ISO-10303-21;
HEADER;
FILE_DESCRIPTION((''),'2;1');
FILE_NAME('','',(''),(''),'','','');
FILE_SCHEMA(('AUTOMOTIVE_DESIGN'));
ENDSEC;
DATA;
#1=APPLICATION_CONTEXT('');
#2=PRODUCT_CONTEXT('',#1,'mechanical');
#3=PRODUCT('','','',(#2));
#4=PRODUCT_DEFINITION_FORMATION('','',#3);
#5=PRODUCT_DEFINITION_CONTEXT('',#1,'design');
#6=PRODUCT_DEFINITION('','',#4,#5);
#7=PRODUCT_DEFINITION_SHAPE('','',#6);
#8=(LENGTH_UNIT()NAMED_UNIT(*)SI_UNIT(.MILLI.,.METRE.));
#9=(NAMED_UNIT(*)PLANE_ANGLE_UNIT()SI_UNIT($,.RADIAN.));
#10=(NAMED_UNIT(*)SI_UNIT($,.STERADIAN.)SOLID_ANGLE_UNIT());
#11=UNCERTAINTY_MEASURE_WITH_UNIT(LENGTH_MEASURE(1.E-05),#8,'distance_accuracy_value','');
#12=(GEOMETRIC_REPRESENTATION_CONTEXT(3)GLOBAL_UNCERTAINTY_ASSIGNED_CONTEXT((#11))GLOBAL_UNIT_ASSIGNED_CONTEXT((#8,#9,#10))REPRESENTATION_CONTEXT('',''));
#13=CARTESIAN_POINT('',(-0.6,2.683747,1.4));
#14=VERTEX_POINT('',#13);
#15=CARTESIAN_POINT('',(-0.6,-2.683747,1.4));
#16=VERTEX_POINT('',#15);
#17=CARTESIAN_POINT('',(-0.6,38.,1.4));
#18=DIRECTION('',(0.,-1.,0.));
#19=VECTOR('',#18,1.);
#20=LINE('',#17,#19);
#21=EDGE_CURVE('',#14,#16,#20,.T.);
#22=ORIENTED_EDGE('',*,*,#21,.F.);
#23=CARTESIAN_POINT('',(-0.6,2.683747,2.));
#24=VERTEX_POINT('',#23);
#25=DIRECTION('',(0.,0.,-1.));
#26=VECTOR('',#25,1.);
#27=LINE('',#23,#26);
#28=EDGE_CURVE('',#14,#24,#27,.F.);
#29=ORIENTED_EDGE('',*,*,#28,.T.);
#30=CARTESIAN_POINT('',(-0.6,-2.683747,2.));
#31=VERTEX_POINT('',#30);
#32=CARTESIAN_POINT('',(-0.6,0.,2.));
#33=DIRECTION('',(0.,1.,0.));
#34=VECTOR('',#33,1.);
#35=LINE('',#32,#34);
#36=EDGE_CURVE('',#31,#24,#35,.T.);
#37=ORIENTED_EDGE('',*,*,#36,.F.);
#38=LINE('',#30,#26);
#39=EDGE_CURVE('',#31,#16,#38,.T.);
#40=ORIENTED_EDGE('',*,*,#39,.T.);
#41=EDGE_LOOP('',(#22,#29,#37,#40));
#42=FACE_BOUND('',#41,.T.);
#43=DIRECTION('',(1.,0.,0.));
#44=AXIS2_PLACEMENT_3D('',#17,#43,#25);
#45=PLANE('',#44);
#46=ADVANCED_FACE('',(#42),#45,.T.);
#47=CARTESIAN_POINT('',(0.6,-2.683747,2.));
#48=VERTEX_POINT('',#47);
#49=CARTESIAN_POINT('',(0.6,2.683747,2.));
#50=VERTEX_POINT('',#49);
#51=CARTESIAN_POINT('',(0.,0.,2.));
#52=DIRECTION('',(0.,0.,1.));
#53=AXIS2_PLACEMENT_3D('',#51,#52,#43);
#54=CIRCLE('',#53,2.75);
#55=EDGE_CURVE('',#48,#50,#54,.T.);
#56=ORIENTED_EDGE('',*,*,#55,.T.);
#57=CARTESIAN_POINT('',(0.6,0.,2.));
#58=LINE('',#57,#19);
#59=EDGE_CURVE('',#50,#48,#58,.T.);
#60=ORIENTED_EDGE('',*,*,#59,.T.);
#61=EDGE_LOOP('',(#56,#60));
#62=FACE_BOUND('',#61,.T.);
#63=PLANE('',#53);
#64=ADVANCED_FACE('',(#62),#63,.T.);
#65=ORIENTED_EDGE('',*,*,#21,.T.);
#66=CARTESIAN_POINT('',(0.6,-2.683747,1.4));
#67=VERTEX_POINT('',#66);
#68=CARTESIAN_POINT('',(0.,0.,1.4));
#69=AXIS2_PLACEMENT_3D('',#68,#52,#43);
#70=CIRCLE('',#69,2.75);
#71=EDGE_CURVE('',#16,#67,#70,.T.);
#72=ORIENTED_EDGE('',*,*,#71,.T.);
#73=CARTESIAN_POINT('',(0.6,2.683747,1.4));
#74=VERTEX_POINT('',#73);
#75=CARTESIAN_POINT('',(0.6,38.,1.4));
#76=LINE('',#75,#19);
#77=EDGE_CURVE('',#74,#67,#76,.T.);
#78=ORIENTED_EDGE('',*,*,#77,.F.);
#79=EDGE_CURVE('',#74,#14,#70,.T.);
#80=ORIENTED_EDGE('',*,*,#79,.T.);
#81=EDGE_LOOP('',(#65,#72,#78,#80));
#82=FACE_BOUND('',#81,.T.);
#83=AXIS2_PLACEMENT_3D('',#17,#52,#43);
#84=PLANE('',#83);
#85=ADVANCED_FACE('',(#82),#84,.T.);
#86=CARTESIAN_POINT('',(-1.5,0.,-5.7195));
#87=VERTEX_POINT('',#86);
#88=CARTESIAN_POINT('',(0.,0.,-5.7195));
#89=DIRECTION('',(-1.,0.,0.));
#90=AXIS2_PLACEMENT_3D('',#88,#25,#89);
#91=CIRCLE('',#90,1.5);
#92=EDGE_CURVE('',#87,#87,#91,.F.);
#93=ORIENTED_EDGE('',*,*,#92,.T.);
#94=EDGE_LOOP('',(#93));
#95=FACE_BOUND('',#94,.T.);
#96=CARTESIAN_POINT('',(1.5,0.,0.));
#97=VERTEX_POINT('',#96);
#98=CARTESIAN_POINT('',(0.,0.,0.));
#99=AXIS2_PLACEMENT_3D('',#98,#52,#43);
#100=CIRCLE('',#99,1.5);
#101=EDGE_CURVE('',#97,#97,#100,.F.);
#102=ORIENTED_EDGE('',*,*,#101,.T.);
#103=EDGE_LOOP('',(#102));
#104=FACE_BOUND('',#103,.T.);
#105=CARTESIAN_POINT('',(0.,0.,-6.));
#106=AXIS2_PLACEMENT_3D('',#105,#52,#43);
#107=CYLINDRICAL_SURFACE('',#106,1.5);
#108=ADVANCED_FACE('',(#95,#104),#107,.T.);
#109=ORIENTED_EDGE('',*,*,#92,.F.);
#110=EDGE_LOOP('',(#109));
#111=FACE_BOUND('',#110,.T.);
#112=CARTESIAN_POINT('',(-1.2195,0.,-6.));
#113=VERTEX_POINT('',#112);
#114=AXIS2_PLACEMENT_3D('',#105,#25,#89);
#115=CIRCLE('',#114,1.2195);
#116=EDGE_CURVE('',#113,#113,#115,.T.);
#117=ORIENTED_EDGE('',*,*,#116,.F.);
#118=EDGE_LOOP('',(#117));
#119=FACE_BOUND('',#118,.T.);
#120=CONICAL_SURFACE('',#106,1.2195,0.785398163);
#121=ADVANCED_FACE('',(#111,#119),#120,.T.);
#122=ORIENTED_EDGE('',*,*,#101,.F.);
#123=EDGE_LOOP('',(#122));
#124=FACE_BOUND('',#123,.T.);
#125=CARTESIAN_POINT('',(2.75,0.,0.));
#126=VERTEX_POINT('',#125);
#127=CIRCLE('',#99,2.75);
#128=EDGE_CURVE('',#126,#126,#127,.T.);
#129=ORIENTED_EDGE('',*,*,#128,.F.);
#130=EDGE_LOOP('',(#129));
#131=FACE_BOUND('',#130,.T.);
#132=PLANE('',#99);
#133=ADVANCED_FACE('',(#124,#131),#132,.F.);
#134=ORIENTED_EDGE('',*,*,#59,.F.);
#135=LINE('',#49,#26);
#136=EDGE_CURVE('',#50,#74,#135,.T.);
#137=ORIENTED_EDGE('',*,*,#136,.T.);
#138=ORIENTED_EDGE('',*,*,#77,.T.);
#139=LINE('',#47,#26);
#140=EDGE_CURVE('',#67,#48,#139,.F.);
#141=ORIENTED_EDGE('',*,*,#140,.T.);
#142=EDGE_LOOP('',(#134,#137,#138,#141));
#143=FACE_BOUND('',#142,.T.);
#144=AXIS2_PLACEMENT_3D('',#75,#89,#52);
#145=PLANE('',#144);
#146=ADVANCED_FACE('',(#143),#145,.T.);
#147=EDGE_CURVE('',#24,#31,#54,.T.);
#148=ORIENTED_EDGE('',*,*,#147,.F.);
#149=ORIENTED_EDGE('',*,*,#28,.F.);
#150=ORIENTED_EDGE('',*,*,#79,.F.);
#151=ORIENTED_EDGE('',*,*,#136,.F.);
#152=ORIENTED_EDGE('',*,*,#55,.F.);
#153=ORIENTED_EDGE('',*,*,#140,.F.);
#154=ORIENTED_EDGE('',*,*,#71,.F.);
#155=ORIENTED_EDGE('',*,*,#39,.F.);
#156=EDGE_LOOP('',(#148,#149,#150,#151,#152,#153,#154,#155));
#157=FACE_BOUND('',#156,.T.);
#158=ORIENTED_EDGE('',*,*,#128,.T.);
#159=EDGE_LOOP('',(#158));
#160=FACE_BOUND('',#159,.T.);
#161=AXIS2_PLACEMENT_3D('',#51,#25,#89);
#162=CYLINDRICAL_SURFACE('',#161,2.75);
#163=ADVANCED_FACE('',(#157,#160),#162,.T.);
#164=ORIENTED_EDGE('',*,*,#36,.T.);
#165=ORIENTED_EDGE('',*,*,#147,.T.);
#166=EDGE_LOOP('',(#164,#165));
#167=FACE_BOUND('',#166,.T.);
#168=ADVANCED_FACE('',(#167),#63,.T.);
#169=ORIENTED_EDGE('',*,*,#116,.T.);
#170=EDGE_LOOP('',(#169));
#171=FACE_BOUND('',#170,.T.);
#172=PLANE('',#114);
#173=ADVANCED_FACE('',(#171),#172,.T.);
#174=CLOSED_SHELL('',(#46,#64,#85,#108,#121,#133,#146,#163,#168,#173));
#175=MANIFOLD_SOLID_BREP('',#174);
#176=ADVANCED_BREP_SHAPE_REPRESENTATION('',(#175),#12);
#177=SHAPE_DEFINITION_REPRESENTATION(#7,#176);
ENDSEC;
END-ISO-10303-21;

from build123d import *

# Parameters (mm, degrees)
SKETCH_1_R               = 2.75
EXTRUDE_1_DEPTH          = 2
SKETCH_2_R               = 1.5
EXTRUDE_2_DEPTH          = 6
CHAMFER_1_SIZE           = 0.2805
CUT_EXTRUDE_1_DEPTH      = 38
CUT_EXTRUDE_1_DEPTH_BACK = 38
SKETCH_3_W               = 1.2
SKETCH_3_H               = 1.2


with BuildPart() as part:
    # Эскиз1 → Бобышка-Вытянуть1 (new body)
    with BuildSketch(Plane.XY):
        Circle(SKETCH_1_R)
    extrude(amount=EXTRUDE_1_DEPTH)

    # Эскиз2 → Бобышка-Вытянуть2 (add)
    with BuildSketch(Plane(origin=(0, 0, 0), x_dir=(-1, 0, 0), z_dir=(0, 0, -1))):
        Circle(SKETCH_2_R)
    extrude(amount=EXTRUDE_2_DEPTH)

    # Фаска1
    chamfer_1_edges = [part.edges().sort_by_distance(p)[0] for p in [
        (1.5, 0, -6),
    ]]
    chamfer(chamfer_1_edges, length=CHAMFER_1_SIZE)

    # Эскиз3 → Вырез-Вытянуть1 (cut, two sides: drawn at the far end of the back side and taken through both)
    with BuildSketch(Plane(origin=(0, 0, 0), x_dir=(1, 0, 0), z_dir=(0, 1, 0)).offset(-CUT_EXTRUDE_1_DEPTH_BACK)):
        with Locations((0, -2)):
            Rectangle(SKETCH_3_W, SKETCH_3_H)
    extrude(amount=CUT_EXTRUDE_1_DEPTH + CUT_EXTRUDE_1_DEPTH_BACK, mode=Mode.SUBTRACT)


solid = part.part
